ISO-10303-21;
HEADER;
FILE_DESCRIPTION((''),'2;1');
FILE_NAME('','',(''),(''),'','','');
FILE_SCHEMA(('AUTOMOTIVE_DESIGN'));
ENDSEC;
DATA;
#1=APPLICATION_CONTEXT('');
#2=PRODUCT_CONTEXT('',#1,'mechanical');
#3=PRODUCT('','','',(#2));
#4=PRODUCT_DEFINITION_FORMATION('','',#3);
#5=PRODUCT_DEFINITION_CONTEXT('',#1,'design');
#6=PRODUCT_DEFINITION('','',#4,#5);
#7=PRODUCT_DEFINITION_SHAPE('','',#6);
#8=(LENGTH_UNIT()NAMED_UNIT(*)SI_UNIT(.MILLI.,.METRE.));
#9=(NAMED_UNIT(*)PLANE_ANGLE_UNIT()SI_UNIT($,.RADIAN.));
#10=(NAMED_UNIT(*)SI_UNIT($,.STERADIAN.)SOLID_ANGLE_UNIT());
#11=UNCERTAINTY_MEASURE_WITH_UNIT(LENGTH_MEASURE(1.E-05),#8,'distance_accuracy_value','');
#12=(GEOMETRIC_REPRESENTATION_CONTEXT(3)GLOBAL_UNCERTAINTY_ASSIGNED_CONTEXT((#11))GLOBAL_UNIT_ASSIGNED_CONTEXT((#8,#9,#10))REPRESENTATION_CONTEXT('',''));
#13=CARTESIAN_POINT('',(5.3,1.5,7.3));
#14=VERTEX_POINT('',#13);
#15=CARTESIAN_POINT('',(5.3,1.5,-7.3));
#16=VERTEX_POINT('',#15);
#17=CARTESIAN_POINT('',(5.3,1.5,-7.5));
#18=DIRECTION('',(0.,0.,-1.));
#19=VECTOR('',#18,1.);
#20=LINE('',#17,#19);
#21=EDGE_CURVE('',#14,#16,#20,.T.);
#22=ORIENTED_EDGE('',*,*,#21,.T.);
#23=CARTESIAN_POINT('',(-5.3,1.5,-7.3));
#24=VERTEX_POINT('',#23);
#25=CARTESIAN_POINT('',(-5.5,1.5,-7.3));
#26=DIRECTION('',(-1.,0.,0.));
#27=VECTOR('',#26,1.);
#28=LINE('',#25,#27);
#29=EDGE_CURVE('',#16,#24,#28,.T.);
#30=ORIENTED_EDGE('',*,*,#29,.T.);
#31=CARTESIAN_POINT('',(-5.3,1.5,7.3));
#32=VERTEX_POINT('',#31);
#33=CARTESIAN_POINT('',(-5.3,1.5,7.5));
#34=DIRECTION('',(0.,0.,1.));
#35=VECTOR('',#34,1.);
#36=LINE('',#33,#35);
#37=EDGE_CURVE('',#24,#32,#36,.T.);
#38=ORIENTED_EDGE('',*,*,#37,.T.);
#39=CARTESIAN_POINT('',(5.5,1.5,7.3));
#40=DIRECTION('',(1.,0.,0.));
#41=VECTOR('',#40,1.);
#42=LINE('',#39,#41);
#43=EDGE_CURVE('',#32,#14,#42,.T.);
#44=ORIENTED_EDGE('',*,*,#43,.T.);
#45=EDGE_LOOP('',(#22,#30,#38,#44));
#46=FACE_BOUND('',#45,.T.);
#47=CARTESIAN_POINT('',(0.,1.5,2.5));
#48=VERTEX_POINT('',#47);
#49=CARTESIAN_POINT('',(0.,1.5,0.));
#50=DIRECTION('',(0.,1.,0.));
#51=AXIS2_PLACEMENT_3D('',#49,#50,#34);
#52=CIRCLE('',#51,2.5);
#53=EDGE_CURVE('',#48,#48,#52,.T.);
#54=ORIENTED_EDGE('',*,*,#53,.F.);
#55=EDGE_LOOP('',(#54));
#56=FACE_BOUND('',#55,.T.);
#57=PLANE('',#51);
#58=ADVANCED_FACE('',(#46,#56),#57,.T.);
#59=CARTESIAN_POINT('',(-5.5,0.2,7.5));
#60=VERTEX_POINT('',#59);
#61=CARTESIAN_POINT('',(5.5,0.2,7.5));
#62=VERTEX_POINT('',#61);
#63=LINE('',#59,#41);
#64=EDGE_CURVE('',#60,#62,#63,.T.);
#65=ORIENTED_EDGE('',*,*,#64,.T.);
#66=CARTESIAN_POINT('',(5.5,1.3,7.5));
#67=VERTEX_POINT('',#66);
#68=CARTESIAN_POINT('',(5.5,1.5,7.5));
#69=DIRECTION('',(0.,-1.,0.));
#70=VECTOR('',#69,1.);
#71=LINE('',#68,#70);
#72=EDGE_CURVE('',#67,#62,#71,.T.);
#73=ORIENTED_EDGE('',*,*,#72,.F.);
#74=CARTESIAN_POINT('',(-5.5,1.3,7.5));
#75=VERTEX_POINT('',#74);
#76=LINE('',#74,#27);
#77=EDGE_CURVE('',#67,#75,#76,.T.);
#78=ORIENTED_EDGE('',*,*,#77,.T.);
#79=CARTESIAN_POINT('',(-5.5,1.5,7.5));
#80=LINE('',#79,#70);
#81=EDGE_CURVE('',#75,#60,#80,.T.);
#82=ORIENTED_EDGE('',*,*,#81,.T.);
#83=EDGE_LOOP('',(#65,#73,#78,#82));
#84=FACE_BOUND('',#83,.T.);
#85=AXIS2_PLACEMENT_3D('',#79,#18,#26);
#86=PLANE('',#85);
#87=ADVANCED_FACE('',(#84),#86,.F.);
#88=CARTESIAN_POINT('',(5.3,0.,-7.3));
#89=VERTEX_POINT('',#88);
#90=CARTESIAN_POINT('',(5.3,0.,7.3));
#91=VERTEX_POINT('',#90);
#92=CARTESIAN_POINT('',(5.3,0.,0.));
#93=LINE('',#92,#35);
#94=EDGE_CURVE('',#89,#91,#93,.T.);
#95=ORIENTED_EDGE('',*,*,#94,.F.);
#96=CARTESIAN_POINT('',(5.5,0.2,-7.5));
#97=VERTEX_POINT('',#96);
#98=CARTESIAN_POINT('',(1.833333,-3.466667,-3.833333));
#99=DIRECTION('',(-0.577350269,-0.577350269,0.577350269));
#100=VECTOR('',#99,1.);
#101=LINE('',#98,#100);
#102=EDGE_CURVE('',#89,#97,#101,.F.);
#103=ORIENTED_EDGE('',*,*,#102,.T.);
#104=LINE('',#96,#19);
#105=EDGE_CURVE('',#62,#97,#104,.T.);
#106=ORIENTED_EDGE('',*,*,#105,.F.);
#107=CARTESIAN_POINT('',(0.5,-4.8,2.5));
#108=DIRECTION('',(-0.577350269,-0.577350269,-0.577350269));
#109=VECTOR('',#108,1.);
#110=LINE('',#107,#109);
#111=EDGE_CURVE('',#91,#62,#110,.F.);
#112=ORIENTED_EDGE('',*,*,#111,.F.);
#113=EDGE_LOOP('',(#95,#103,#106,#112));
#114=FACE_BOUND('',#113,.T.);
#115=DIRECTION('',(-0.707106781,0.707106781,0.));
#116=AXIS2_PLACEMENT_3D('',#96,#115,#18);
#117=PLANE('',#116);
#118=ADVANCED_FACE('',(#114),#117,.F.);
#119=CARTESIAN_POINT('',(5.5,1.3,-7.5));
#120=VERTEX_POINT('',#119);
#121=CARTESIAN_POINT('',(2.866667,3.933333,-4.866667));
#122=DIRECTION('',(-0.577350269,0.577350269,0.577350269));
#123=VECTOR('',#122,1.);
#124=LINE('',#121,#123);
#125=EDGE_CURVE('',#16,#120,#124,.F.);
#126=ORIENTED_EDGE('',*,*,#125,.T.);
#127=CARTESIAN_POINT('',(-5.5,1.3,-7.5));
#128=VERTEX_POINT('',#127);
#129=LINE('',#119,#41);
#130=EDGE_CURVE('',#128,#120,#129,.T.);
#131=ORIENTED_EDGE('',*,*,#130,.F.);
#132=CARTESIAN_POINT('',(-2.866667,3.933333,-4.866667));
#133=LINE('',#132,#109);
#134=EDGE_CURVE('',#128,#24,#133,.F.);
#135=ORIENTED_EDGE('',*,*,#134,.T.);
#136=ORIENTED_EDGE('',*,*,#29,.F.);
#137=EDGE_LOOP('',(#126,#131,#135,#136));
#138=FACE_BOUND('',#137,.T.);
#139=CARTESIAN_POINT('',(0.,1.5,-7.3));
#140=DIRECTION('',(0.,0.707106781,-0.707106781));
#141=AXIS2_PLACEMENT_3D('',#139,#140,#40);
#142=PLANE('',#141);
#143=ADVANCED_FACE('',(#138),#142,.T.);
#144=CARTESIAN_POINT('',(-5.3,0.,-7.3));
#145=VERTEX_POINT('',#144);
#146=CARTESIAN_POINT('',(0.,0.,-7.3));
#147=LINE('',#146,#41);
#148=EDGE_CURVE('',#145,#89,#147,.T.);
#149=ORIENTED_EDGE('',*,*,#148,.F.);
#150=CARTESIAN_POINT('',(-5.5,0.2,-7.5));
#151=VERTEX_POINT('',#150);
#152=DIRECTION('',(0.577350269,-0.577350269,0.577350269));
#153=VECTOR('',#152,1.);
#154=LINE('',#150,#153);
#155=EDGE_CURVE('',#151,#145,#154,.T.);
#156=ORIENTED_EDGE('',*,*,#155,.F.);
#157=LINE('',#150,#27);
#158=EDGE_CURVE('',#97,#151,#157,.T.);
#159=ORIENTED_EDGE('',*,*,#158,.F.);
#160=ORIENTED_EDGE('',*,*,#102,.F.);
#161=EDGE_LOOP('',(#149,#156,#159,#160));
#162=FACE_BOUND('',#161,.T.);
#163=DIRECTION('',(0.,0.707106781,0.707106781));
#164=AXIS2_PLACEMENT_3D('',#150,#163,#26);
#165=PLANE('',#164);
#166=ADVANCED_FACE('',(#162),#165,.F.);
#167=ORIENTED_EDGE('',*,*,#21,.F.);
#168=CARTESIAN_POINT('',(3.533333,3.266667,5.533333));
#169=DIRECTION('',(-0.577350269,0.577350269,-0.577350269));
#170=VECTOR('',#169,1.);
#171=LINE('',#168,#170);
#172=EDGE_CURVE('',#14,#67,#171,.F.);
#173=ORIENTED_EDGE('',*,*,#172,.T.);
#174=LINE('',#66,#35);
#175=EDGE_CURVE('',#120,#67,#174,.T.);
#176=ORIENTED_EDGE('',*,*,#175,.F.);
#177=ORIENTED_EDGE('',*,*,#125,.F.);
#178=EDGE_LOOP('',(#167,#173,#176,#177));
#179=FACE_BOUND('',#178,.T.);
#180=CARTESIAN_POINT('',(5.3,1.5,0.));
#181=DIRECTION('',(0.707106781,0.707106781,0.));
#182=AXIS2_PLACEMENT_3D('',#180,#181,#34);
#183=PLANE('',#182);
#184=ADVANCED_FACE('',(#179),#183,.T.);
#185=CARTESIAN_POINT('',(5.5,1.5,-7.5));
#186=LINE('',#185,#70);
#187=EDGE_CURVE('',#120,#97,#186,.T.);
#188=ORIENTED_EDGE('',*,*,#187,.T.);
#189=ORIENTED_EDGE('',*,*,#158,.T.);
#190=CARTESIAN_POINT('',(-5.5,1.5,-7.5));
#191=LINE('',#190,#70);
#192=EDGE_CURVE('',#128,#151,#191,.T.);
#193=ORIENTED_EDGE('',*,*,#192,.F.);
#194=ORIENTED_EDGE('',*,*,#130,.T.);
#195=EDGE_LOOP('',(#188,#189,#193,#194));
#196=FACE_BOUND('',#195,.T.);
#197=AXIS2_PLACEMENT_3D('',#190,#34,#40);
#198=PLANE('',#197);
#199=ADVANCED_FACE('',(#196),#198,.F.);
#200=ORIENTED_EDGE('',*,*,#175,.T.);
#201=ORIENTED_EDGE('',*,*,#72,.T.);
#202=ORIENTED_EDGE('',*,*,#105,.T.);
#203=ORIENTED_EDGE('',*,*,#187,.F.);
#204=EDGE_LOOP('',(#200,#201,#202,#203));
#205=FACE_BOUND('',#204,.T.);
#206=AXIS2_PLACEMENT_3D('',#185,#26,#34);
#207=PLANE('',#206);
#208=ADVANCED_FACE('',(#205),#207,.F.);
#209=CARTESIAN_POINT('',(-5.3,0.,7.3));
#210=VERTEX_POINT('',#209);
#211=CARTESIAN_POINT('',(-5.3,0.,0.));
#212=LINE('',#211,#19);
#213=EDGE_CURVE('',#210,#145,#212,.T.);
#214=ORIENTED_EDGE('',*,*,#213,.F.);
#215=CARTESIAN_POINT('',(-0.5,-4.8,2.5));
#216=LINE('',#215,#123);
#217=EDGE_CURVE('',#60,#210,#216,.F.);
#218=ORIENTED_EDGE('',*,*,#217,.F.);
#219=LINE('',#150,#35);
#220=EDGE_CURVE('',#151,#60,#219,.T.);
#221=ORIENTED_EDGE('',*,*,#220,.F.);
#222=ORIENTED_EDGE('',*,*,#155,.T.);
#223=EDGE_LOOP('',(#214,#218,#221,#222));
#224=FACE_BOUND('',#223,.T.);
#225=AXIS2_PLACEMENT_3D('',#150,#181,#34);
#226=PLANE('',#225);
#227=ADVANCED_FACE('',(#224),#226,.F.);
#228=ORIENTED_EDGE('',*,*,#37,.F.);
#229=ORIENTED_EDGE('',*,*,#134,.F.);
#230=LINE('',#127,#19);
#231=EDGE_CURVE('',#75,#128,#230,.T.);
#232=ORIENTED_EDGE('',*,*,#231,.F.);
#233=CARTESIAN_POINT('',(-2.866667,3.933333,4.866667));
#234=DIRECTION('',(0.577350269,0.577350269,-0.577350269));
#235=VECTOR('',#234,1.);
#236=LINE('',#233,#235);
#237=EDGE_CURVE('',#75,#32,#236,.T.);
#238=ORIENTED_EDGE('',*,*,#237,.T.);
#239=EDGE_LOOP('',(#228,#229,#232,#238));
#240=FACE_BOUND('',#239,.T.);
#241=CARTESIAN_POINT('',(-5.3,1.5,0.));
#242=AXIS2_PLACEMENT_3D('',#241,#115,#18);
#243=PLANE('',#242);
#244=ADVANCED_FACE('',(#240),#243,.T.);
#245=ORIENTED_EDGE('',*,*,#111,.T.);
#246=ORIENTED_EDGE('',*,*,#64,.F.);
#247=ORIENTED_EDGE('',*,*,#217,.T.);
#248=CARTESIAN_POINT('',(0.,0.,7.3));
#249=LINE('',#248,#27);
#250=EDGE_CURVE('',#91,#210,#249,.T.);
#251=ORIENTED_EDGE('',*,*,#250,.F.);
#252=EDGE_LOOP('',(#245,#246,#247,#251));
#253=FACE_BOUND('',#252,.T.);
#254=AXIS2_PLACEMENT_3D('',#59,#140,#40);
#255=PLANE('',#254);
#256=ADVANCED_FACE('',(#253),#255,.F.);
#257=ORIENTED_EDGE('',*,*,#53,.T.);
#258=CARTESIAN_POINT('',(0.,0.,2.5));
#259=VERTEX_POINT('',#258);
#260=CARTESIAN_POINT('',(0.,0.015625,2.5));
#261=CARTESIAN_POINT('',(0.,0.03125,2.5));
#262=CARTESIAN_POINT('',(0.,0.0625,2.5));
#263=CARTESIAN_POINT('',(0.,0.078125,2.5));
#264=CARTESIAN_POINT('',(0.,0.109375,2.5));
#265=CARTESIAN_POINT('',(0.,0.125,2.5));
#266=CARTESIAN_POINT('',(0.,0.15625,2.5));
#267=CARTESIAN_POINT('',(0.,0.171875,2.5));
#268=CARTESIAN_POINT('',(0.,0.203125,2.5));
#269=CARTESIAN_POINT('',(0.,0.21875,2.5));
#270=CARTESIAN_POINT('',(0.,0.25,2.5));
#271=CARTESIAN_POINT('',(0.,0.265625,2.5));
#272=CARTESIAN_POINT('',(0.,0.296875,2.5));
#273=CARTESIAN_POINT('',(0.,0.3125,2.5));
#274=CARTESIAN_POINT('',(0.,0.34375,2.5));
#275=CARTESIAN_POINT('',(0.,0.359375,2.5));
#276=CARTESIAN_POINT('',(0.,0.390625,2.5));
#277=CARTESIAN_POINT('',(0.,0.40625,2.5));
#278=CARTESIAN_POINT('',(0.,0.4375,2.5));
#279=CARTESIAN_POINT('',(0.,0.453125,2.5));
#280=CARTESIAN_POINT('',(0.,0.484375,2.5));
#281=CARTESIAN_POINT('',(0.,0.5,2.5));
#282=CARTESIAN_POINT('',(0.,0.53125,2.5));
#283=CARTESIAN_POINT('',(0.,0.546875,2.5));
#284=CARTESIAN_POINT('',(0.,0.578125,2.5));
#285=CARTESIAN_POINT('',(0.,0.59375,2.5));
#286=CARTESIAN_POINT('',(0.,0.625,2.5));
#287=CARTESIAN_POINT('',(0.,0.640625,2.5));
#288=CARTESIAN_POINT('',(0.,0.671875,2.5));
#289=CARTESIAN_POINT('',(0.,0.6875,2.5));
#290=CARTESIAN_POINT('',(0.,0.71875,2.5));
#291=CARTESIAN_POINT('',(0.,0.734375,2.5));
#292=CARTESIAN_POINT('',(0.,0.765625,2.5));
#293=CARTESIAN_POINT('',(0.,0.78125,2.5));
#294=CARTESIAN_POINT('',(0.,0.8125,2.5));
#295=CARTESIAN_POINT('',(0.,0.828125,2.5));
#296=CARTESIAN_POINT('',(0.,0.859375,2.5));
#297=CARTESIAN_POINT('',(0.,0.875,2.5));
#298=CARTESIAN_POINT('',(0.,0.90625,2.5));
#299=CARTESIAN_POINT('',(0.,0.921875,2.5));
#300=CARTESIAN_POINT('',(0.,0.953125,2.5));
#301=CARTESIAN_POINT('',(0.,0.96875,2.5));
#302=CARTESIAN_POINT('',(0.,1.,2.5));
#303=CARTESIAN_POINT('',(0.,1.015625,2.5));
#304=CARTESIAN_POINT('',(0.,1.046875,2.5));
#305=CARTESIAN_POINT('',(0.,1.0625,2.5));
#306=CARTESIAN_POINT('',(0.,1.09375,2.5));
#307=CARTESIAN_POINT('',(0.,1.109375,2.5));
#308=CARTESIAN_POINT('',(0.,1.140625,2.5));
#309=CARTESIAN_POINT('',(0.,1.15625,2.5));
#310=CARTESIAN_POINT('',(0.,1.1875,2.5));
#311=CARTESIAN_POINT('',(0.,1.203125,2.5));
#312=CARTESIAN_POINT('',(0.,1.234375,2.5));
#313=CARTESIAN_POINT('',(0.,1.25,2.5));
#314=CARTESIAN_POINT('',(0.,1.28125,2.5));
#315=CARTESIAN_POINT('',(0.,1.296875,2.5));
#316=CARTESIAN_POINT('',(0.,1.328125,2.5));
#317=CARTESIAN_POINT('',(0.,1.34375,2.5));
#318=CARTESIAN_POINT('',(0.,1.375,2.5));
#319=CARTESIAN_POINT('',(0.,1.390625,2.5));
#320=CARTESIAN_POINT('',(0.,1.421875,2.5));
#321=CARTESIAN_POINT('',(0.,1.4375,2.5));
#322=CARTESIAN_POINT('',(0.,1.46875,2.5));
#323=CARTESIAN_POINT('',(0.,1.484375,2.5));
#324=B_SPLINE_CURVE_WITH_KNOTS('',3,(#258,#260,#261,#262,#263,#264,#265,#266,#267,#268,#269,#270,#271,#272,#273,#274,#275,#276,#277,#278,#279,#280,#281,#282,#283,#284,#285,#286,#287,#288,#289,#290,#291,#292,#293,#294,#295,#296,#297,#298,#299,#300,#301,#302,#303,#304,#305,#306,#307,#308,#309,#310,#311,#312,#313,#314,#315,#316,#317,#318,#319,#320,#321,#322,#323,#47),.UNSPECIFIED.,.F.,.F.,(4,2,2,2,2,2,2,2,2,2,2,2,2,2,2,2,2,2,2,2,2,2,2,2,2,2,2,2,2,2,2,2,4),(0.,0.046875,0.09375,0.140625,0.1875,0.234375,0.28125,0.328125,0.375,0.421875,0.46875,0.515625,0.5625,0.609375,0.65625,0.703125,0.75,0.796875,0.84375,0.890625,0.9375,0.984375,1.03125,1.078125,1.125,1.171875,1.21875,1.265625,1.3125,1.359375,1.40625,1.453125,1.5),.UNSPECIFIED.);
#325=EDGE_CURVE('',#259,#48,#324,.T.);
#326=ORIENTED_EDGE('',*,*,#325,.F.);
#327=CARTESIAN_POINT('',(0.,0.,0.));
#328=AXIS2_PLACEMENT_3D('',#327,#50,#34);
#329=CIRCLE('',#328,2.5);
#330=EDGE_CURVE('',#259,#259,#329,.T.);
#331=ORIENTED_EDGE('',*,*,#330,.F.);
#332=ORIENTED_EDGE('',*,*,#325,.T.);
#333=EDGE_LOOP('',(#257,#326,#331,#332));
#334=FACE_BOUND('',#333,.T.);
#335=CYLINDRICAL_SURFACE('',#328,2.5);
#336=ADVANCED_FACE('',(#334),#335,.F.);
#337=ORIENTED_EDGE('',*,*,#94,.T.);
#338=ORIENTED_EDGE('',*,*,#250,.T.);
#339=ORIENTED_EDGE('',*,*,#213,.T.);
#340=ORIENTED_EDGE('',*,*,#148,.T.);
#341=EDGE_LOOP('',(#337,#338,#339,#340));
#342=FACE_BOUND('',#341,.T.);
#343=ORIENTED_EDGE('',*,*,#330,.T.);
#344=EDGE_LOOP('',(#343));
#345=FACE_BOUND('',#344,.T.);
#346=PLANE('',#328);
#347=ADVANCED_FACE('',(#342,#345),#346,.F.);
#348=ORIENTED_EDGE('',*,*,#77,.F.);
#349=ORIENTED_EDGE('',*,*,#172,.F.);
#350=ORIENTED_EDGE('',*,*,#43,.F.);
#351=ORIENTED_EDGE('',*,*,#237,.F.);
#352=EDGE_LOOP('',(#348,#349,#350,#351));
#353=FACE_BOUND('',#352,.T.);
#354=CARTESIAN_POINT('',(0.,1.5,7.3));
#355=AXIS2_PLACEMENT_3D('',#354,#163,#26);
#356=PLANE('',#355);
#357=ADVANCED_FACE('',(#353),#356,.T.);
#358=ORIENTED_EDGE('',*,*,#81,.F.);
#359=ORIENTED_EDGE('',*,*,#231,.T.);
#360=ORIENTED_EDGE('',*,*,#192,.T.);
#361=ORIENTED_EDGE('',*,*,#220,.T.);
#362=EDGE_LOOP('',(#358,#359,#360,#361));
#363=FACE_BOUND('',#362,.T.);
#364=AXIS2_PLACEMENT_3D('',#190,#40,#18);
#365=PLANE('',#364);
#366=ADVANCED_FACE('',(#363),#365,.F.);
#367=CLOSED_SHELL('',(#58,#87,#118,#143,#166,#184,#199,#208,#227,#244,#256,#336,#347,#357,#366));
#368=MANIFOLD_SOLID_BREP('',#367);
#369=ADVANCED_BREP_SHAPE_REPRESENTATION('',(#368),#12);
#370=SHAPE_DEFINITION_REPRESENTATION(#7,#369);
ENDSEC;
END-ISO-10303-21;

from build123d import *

# Parameters (mm, degrees)
SKETCH_1_W          = 11
SKETCH_1_H          = 15
EXTRUDE_1_DEPTH     = 1.5
SKETCH_2_R          = 2.5
CUT_EXTRUDE_1_DEPTH = 1.5
CHAMFER_1_SIZE      = 0.2
CHAMFER_2_SIZE      = 0.2


with BuildPart() as part:
    # ｽｹｯﾁ1 → ﾎﾞｽ - 押し出し1 (new body)
    with BuildSketch(Plane(origin=(0, 0, 0), x_dir=(1, 0, 0), z_dir=(0, 1, 0))):
        Rectangle(SKETCH_1_W, SKETCH_1_H)
    extrude(amount=EXTRUDE_1_DEPTH)

    # ｽｹｯﾁ2 → ｶｯﾄ - 押し出し1 (cut)
    with BuildSketch(Plane(origin=(0, 1.5, 0), x_dir=(1, 0, 0), z_dir=(0, 1, 0))):
        with Locations(Location((0, 0, 0), (0, 0, 270))):
            Circle(SKETCH_2_R)
    extrude(amount=-CUT_EXTRUDE_1_DEPTH, mode=Mode.SUBTRACT)

    # 面取り1
    chamfer_1_edges = [part.edges().sort_by_distance(p)[0] for p in [
        (-5.5, 1.5, 0),
        (0, 1.5, 7.5),
        (5.5, 1.5, 0),
        (0, 1.5, -7.5),
    ]]
    chamfer(chamfer_1_edges, length=CHAMFER_1_SIZE)

    # 面取り2
    chamfer_2_edges = [part.edges().sort_by_distance(p)[0] for p in [
        (0, 0, 7.5),
        (-5.5, 0, 0),
        (0, 0, -7.5),
        (5.5, 0, 0),
    ]]
    chamfer(chamfer_2_edges, length=CHAMFER_2_SIZE)


solid = part.part
